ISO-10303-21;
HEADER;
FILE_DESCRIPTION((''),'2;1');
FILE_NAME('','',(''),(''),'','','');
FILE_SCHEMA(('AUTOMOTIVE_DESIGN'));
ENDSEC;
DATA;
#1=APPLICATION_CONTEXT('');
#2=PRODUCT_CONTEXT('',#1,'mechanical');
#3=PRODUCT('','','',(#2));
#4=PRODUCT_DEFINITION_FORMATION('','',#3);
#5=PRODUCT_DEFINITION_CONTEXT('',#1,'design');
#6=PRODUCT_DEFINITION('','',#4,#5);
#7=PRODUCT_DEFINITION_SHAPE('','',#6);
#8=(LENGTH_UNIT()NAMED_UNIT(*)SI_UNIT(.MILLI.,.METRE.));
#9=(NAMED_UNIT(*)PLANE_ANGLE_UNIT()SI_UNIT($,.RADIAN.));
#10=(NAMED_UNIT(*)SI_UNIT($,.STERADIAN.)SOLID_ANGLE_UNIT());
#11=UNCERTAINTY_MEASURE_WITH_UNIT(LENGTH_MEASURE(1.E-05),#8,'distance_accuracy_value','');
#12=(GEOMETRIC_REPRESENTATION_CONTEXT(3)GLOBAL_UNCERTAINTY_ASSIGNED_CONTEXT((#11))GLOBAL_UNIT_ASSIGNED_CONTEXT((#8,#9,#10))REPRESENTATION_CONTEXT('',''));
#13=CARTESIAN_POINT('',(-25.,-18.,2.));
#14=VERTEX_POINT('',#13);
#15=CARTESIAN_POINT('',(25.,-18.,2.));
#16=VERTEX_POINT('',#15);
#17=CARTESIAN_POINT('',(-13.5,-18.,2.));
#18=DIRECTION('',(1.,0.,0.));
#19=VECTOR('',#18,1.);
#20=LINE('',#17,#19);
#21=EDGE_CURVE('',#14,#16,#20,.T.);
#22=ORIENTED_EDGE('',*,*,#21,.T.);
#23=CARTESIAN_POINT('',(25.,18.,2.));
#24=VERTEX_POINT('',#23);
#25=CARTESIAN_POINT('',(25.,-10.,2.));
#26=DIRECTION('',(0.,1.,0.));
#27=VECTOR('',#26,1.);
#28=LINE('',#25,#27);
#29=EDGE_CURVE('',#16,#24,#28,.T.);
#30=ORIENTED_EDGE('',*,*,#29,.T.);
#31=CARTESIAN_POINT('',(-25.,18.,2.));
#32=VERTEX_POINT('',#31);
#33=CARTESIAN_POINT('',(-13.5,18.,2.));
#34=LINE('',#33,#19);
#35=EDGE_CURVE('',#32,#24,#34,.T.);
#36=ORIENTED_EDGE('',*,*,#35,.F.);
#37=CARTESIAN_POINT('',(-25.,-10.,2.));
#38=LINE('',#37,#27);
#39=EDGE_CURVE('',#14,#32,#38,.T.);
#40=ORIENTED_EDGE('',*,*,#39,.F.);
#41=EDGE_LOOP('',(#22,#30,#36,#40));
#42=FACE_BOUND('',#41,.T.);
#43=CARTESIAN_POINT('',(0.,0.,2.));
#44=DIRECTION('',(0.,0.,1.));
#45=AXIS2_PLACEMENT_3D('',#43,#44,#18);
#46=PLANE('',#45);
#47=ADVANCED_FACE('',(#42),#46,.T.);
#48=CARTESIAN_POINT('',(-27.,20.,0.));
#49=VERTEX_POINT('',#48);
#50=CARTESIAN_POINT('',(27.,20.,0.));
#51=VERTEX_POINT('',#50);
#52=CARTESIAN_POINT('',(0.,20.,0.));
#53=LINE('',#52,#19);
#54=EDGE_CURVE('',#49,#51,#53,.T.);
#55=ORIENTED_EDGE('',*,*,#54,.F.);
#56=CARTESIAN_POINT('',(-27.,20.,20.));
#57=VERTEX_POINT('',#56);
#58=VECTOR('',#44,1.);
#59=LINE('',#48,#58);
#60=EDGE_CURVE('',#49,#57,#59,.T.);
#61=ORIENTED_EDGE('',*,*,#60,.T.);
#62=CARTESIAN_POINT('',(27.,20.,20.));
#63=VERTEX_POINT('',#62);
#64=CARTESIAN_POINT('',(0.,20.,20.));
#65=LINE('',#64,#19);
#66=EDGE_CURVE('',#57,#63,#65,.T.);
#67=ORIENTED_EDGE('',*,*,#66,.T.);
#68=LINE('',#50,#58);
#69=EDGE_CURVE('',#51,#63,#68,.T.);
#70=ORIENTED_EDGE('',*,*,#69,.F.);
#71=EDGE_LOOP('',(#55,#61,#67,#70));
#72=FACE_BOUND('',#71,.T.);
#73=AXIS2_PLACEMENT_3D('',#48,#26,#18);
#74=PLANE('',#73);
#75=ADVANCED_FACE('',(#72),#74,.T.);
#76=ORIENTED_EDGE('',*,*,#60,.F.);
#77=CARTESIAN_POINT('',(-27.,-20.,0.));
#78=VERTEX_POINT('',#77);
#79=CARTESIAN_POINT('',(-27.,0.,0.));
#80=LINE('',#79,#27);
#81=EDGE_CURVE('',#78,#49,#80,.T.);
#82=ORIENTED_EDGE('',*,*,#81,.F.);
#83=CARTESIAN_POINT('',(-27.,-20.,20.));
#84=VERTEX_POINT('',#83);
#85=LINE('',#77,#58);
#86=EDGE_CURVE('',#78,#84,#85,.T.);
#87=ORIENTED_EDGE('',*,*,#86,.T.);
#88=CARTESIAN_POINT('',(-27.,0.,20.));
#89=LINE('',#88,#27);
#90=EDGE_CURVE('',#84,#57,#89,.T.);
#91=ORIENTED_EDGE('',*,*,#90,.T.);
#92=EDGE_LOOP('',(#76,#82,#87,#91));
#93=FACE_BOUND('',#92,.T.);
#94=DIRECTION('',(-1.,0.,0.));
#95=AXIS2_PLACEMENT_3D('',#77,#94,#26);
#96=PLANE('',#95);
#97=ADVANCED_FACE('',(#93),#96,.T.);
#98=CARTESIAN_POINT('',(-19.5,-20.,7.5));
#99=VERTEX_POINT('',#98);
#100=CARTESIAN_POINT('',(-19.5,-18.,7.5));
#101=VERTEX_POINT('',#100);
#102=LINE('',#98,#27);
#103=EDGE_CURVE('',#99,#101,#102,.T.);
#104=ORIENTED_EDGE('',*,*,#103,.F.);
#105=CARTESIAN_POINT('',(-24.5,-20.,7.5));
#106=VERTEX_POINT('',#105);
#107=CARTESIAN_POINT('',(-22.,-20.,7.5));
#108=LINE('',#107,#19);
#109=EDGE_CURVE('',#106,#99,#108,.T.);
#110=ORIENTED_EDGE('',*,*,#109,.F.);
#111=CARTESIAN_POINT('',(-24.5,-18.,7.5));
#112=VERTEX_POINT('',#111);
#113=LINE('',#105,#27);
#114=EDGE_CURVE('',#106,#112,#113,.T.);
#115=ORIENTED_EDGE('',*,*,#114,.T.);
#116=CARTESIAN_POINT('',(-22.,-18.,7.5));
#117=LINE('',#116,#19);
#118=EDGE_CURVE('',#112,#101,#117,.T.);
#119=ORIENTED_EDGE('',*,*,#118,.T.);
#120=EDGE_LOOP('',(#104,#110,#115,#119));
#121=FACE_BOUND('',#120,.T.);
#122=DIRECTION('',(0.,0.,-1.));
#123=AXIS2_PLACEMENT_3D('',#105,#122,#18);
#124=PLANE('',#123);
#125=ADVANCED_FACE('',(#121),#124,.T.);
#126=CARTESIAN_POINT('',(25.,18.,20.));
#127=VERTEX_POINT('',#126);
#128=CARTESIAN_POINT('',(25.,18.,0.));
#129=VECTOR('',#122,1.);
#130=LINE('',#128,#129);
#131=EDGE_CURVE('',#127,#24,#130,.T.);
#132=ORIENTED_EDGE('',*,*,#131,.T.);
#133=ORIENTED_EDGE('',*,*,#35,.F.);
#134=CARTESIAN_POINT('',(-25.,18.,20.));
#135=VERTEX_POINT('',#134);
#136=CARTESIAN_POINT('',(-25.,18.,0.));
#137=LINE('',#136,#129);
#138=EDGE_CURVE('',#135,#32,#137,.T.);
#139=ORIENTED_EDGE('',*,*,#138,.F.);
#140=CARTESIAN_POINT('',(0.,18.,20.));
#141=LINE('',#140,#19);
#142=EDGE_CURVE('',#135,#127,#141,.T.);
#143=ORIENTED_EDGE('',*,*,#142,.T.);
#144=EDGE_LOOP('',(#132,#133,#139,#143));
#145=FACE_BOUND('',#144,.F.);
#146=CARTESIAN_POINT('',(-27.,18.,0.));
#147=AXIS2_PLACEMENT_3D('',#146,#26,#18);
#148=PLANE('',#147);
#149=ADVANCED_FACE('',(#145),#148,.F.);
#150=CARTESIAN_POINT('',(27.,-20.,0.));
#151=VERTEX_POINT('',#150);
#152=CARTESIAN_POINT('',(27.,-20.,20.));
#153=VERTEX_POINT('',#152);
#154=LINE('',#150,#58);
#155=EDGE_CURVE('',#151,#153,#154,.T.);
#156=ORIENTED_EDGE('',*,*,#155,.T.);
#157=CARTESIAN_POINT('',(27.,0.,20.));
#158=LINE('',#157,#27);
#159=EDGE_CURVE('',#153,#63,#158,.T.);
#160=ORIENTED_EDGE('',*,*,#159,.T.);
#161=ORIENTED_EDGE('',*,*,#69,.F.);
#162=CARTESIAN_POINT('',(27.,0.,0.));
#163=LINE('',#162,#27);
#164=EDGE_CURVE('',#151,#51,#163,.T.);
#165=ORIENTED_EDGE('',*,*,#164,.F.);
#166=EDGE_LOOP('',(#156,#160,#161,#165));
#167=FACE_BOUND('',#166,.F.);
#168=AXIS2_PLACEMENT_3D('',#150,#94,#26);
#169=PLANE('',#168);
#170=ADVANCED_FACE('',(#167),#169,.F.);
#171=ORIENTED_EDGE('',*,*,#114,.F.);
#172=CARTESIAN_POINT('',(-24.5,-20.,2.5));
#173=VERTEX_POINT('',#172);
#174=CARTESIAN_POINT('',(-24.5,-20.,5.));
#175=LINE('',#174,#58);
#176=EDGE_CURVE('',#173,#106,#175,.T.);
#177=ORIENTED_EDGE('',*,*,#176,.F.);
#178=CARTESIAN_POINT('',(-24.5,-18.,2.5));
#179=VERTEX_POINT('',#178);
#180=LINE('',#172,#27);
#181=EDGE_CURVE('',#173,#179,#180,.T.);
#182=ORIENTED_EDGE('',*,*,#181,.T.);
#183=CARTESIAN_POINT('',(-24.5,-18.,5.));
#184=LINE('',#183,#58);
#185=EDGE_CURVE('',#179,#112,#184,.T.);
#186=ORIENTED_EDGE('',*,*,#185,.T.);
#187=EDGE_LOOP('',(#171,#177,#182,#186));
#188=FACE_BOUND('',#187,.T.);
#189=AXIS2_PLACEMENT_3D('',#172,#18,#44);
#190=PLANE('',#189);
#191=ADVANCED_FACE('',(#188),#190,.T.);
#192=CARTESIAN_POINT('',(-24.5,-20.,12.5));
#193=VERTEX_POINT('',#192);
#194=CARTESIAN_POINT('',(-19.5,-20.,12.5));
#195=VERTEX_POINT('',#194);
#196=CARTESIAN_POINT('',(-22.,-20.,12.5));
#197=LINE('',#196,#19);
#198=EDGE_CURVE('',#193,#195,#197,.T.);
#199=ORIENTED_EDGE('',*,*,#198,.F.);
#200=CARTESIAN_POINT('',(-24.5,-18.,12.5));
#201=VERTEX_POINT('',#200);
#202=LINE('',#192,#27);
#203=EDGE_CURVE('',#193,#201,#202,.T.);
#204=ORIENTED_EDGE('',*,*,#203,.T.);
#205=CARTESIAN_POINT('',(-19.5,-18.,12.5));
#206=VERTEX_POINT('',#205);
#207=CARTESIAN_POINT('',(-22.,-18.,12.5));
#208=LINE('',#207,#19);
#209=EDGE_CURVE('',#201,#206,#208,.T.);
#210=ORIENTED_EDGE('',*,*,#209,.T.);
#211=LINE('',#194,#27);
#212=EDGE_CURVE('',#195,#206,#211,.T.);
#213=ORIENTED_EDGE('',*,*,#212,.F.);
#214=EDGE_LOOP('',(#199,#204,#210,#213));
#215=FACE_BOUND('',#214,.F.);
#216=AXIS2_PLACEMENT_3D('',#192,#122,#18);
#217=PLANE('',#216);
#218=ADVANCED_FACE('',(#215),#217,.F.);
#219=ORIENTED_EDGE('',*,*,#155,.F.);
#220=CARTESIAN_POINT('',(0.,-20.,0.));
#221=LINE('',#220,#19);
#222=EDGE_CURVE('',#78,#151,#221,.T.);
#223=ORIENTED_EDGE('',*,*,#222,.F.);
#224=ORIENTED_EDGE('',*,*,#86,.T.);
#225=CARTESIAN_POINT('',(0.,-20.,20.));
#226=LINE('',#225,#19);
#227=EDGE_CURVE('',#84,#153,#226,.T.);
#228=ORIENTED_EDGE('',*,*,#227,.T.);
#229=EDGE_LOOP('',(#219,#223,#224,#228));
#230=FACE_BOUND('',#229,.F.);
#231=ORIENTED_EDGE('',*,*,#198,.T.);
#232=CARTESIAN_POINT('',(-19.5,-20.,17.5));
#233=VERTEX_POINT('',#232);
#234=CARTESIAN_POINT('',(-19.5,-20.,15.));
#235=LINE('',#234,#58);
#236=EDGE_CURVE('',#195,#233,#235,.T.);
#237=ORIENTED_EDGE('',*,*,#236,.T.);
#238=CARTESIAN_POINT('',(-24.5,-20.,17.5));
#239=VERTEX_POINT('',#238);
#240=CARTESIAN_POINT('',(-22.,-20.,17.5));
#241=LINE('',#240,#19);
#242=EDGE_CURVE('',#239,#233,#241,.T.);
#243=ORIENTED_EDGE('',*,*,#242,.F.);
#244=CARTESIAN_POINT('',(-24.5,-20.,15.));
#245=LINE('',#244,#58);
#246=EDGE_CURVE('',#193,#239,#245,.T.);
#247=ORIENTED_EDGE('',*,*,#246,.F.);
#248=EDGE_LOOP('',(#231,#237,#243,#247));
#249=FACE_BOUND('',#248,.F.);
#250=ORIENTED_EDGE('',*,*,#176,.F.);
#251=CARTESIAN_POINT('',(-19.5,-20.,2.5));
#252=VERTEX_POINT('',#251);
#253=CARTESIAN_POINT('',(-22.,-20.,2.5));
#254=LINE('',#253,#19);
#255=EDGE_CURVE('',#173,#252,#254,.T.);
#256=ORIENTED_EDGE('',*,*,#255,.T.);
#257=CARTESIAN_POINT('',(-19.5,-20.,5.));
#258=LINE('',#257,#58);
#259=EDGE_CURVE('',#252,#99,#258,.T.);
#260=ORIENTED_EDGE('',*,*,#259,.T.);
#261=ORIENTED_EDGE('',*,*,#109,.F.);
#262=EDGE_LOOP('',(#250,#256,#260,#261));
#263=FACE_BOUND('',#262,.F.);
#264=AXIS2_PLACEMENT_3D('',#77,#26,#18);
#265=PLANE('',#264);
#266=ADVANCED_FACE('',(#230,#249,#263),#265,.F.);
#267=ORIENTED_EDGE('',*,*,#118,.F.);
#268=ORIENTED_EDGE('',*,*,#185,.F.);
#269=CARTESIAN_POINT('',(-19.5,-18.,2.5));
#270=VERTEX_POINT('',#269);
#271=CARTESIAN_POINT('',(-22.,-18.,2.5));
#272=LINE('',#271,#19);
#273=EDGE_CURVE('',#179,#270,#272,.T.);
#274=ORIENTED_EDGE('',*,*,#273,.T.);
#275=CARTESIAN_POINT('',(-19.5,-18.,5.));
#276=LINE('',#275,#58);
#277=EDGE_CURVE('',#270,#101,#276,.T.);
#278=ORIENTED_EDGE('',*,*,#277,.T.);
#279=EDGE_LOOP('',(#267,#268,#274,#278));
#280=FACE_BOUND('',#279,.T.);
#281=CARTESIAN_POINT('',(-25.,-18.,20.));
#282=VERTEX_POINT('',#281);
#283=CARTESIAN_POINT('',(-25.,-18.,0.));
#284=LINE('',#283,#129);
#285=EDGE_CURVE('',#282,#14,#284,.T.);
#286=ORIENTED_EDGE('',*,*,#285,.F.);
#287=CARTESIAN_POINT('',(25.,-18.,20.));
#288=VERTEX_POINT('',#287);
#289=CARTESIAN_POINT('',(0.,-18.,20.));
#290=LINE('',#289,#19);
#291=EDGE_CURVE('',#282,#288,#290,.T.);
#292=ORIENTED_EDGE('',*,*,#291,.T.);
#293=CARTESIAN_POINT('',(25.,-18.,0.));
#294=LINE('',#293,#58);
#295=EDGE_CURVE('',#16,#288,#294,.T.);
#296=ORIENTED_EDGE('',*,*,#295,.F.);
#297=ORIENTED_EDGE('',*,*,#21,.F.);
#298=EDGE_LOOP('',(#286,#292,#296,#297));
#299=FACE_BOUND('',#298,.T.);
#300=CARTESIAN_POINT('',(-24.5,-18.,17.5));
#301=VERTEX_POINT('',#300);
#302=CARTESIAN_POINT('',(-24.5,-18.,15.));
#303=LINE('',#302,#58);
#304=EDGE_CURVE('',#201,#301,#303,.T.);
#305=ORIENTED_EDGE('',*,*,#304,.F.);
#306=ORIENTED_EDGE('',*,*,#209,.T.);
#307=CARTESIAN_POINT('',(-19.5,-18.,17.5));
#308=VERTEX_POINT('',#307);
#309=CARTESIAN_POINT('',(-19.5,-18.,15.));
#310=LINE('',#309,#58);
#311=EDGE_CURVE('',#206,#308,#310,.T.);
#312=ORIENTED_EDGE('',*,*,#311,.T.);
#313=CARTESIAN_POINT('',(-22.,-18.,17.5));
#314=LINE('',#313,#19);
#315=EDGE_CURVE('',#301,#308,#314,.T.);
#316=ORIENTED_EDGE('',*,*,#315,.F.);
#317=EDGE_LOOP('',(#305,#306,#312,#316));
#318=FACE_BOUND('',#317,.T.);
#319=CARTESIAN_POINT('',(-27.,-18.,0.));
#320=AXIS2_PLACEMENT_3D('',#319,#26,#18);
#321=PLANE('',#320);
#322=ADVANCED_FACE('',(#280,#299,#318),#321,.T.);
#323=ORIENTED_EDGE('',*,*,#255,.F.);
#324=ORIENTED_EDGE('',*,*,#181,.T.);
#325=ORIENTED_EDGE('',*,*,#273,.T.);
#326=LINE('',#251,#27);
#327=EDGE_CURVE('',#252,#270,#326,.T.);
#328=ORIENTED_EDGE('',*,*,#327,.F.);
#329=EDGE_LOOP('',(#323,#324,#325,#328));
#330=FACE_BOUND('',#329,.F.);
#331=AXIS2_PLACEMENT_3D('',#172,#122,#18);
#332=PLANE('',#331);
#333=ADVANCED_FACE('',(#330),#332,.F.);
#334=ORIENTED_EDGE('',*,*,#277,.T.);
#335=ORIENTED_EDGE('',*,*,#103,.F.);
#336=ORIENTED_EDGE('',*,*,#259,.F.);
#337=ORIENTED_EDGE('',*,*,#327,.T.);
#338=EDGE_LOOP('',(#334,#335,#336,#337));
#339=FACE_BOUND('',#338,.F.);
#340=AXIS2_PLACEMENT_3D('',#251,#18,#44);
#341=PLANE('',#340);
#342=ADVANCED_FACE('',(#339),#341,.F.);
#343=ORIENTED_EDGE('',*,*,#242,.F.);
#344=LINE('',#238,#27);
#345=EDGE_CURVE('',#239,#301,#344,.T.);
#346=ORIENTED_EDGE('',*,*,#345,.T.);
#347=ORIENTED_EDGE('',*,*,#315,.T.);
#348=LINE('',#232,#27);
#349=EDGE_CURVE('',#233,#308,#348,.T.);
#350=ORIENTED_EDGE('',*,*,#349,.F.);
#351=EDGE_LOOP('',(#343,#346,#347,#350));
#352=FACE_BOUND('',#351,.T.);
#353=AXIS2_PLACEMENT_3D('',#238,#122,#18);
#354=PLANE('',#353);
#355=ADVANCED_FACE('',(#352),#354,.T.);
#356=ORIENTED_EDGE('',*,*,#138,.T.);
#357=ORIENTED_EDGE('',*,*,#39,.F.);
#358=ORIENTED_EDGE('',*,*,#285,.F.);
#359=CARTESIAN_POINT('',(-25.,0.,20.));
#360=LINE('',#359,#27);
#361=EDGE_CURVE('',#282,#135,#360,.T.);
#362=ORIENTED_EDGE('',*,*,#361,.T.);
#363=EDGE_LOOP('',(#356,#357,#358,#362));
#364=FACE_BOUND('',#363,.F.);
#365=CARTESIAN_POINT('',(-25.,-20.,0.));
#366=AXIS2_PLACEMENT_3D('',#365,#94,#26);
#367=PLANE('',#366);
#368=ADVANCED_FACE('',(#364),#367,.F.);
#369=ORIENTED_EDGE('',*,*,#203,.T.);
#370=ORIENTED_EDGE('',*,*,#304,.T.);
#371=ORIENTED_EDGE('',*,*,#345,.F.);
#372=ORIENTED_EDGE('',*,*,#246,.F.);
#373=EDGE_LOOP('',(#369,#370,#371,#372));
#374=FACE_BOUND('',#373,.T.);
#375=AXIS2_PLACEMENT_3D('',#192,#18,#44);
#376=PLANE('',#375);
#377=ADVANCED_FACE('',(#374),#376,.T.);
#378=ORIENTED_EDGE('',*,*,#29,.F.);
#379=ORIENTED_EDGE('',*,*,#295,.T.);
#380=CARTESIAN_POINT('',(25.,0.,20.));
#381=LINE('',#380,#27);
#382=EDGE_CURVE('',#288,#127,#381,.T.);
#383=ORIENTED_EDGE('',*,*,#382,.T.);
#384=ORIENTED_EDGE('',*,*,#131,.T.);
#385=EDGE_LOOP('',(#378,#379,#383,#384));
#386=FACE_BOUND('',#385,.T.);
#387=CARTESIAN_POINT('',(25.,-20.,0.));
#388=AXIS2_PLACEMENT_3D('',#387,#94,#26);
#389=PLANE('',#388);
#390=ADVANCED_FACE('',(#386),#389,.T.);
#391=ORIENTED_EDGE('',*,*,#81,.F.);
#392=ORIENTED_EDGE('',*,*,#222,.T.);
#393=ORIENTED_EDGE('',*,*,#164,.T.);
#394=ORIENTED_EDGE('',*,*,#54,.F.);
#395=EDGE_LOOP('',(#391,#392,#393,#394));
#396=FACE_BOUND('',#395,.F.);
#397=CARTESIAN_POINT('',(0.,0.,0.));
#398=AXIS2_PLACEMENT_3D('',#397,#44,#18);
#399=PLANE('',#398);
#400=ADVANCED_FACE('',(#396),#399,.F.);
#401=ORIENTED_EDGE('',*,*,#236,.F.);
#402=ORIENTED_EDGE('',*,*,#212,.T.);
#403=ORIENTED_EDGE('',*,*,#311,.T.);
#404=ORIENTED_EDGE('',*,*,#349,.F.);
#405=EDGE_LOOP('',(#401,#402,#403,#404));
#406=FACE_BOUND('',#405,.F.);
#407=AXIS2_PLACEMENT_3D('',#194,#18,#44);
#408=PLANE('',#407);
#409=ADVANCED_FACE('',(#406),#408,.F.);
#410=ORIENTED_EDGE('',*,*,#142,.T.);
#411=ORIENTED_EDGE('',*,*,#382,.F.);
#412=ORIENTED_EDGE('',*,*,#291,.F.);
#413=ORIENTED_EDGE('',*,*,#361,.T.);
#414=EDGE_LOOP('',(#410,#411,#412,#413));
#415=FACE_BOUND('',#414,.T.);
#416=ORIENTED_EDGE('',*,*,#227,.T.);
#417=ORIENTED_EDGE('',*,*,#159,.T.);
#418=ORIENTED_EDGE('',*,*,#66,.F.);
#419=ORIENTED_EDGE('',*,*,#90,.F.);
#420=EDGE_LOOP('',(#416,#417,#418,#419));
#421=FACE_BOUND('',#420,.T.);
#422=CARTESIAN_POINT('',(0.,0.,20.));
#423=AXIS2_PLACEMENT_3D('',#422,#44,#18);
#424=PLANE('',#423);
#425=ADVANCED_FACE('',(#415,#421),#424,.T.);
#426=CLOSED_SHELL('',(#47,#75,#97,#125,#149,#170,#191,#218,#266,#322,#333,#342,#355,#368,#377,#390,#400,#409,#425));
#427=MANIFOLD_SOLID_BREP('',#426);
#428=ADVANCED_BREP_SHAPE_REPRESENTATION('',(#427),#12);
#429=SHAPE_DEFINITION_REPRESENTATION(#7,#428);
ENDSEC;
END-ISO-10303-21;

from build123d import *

# Parameters (mm, degrees)
F0_W     = 54
F0_H     = 40
F1_DEPTH = 20
F2_T     = -2
F3_W     = 5
F3_H     = 5
F4_DEPTH = 2


with BuildPart() as f1:
    # F0 (on Top) → F1 (new body)
    with BuildSketch(Plane.XY):
        Rectangle(F0_W, F0_H)
    extrude(amount=F1_DEPTH)

    # F2
    f2_openings = [f1.faces().sort_by_distance(p)[0] for p in [
        (0, 0, 20),
    ]]
    offset(amount=F2_T, openings=f2_openings)

    # F3 (on face) → F4 (cut)
    with BuildSketch(Plane.XZ.offset(20)):
        with Locations((-22, 15)):
            Rectangle(F3_W, F3_H)
        with Locations((-22, 5)):
            Rectangle(F3_W, F3_H)
    extrude(amount=-F4_DEPTH, mode=Mode.SUBTRACT)


solid = f1.part
